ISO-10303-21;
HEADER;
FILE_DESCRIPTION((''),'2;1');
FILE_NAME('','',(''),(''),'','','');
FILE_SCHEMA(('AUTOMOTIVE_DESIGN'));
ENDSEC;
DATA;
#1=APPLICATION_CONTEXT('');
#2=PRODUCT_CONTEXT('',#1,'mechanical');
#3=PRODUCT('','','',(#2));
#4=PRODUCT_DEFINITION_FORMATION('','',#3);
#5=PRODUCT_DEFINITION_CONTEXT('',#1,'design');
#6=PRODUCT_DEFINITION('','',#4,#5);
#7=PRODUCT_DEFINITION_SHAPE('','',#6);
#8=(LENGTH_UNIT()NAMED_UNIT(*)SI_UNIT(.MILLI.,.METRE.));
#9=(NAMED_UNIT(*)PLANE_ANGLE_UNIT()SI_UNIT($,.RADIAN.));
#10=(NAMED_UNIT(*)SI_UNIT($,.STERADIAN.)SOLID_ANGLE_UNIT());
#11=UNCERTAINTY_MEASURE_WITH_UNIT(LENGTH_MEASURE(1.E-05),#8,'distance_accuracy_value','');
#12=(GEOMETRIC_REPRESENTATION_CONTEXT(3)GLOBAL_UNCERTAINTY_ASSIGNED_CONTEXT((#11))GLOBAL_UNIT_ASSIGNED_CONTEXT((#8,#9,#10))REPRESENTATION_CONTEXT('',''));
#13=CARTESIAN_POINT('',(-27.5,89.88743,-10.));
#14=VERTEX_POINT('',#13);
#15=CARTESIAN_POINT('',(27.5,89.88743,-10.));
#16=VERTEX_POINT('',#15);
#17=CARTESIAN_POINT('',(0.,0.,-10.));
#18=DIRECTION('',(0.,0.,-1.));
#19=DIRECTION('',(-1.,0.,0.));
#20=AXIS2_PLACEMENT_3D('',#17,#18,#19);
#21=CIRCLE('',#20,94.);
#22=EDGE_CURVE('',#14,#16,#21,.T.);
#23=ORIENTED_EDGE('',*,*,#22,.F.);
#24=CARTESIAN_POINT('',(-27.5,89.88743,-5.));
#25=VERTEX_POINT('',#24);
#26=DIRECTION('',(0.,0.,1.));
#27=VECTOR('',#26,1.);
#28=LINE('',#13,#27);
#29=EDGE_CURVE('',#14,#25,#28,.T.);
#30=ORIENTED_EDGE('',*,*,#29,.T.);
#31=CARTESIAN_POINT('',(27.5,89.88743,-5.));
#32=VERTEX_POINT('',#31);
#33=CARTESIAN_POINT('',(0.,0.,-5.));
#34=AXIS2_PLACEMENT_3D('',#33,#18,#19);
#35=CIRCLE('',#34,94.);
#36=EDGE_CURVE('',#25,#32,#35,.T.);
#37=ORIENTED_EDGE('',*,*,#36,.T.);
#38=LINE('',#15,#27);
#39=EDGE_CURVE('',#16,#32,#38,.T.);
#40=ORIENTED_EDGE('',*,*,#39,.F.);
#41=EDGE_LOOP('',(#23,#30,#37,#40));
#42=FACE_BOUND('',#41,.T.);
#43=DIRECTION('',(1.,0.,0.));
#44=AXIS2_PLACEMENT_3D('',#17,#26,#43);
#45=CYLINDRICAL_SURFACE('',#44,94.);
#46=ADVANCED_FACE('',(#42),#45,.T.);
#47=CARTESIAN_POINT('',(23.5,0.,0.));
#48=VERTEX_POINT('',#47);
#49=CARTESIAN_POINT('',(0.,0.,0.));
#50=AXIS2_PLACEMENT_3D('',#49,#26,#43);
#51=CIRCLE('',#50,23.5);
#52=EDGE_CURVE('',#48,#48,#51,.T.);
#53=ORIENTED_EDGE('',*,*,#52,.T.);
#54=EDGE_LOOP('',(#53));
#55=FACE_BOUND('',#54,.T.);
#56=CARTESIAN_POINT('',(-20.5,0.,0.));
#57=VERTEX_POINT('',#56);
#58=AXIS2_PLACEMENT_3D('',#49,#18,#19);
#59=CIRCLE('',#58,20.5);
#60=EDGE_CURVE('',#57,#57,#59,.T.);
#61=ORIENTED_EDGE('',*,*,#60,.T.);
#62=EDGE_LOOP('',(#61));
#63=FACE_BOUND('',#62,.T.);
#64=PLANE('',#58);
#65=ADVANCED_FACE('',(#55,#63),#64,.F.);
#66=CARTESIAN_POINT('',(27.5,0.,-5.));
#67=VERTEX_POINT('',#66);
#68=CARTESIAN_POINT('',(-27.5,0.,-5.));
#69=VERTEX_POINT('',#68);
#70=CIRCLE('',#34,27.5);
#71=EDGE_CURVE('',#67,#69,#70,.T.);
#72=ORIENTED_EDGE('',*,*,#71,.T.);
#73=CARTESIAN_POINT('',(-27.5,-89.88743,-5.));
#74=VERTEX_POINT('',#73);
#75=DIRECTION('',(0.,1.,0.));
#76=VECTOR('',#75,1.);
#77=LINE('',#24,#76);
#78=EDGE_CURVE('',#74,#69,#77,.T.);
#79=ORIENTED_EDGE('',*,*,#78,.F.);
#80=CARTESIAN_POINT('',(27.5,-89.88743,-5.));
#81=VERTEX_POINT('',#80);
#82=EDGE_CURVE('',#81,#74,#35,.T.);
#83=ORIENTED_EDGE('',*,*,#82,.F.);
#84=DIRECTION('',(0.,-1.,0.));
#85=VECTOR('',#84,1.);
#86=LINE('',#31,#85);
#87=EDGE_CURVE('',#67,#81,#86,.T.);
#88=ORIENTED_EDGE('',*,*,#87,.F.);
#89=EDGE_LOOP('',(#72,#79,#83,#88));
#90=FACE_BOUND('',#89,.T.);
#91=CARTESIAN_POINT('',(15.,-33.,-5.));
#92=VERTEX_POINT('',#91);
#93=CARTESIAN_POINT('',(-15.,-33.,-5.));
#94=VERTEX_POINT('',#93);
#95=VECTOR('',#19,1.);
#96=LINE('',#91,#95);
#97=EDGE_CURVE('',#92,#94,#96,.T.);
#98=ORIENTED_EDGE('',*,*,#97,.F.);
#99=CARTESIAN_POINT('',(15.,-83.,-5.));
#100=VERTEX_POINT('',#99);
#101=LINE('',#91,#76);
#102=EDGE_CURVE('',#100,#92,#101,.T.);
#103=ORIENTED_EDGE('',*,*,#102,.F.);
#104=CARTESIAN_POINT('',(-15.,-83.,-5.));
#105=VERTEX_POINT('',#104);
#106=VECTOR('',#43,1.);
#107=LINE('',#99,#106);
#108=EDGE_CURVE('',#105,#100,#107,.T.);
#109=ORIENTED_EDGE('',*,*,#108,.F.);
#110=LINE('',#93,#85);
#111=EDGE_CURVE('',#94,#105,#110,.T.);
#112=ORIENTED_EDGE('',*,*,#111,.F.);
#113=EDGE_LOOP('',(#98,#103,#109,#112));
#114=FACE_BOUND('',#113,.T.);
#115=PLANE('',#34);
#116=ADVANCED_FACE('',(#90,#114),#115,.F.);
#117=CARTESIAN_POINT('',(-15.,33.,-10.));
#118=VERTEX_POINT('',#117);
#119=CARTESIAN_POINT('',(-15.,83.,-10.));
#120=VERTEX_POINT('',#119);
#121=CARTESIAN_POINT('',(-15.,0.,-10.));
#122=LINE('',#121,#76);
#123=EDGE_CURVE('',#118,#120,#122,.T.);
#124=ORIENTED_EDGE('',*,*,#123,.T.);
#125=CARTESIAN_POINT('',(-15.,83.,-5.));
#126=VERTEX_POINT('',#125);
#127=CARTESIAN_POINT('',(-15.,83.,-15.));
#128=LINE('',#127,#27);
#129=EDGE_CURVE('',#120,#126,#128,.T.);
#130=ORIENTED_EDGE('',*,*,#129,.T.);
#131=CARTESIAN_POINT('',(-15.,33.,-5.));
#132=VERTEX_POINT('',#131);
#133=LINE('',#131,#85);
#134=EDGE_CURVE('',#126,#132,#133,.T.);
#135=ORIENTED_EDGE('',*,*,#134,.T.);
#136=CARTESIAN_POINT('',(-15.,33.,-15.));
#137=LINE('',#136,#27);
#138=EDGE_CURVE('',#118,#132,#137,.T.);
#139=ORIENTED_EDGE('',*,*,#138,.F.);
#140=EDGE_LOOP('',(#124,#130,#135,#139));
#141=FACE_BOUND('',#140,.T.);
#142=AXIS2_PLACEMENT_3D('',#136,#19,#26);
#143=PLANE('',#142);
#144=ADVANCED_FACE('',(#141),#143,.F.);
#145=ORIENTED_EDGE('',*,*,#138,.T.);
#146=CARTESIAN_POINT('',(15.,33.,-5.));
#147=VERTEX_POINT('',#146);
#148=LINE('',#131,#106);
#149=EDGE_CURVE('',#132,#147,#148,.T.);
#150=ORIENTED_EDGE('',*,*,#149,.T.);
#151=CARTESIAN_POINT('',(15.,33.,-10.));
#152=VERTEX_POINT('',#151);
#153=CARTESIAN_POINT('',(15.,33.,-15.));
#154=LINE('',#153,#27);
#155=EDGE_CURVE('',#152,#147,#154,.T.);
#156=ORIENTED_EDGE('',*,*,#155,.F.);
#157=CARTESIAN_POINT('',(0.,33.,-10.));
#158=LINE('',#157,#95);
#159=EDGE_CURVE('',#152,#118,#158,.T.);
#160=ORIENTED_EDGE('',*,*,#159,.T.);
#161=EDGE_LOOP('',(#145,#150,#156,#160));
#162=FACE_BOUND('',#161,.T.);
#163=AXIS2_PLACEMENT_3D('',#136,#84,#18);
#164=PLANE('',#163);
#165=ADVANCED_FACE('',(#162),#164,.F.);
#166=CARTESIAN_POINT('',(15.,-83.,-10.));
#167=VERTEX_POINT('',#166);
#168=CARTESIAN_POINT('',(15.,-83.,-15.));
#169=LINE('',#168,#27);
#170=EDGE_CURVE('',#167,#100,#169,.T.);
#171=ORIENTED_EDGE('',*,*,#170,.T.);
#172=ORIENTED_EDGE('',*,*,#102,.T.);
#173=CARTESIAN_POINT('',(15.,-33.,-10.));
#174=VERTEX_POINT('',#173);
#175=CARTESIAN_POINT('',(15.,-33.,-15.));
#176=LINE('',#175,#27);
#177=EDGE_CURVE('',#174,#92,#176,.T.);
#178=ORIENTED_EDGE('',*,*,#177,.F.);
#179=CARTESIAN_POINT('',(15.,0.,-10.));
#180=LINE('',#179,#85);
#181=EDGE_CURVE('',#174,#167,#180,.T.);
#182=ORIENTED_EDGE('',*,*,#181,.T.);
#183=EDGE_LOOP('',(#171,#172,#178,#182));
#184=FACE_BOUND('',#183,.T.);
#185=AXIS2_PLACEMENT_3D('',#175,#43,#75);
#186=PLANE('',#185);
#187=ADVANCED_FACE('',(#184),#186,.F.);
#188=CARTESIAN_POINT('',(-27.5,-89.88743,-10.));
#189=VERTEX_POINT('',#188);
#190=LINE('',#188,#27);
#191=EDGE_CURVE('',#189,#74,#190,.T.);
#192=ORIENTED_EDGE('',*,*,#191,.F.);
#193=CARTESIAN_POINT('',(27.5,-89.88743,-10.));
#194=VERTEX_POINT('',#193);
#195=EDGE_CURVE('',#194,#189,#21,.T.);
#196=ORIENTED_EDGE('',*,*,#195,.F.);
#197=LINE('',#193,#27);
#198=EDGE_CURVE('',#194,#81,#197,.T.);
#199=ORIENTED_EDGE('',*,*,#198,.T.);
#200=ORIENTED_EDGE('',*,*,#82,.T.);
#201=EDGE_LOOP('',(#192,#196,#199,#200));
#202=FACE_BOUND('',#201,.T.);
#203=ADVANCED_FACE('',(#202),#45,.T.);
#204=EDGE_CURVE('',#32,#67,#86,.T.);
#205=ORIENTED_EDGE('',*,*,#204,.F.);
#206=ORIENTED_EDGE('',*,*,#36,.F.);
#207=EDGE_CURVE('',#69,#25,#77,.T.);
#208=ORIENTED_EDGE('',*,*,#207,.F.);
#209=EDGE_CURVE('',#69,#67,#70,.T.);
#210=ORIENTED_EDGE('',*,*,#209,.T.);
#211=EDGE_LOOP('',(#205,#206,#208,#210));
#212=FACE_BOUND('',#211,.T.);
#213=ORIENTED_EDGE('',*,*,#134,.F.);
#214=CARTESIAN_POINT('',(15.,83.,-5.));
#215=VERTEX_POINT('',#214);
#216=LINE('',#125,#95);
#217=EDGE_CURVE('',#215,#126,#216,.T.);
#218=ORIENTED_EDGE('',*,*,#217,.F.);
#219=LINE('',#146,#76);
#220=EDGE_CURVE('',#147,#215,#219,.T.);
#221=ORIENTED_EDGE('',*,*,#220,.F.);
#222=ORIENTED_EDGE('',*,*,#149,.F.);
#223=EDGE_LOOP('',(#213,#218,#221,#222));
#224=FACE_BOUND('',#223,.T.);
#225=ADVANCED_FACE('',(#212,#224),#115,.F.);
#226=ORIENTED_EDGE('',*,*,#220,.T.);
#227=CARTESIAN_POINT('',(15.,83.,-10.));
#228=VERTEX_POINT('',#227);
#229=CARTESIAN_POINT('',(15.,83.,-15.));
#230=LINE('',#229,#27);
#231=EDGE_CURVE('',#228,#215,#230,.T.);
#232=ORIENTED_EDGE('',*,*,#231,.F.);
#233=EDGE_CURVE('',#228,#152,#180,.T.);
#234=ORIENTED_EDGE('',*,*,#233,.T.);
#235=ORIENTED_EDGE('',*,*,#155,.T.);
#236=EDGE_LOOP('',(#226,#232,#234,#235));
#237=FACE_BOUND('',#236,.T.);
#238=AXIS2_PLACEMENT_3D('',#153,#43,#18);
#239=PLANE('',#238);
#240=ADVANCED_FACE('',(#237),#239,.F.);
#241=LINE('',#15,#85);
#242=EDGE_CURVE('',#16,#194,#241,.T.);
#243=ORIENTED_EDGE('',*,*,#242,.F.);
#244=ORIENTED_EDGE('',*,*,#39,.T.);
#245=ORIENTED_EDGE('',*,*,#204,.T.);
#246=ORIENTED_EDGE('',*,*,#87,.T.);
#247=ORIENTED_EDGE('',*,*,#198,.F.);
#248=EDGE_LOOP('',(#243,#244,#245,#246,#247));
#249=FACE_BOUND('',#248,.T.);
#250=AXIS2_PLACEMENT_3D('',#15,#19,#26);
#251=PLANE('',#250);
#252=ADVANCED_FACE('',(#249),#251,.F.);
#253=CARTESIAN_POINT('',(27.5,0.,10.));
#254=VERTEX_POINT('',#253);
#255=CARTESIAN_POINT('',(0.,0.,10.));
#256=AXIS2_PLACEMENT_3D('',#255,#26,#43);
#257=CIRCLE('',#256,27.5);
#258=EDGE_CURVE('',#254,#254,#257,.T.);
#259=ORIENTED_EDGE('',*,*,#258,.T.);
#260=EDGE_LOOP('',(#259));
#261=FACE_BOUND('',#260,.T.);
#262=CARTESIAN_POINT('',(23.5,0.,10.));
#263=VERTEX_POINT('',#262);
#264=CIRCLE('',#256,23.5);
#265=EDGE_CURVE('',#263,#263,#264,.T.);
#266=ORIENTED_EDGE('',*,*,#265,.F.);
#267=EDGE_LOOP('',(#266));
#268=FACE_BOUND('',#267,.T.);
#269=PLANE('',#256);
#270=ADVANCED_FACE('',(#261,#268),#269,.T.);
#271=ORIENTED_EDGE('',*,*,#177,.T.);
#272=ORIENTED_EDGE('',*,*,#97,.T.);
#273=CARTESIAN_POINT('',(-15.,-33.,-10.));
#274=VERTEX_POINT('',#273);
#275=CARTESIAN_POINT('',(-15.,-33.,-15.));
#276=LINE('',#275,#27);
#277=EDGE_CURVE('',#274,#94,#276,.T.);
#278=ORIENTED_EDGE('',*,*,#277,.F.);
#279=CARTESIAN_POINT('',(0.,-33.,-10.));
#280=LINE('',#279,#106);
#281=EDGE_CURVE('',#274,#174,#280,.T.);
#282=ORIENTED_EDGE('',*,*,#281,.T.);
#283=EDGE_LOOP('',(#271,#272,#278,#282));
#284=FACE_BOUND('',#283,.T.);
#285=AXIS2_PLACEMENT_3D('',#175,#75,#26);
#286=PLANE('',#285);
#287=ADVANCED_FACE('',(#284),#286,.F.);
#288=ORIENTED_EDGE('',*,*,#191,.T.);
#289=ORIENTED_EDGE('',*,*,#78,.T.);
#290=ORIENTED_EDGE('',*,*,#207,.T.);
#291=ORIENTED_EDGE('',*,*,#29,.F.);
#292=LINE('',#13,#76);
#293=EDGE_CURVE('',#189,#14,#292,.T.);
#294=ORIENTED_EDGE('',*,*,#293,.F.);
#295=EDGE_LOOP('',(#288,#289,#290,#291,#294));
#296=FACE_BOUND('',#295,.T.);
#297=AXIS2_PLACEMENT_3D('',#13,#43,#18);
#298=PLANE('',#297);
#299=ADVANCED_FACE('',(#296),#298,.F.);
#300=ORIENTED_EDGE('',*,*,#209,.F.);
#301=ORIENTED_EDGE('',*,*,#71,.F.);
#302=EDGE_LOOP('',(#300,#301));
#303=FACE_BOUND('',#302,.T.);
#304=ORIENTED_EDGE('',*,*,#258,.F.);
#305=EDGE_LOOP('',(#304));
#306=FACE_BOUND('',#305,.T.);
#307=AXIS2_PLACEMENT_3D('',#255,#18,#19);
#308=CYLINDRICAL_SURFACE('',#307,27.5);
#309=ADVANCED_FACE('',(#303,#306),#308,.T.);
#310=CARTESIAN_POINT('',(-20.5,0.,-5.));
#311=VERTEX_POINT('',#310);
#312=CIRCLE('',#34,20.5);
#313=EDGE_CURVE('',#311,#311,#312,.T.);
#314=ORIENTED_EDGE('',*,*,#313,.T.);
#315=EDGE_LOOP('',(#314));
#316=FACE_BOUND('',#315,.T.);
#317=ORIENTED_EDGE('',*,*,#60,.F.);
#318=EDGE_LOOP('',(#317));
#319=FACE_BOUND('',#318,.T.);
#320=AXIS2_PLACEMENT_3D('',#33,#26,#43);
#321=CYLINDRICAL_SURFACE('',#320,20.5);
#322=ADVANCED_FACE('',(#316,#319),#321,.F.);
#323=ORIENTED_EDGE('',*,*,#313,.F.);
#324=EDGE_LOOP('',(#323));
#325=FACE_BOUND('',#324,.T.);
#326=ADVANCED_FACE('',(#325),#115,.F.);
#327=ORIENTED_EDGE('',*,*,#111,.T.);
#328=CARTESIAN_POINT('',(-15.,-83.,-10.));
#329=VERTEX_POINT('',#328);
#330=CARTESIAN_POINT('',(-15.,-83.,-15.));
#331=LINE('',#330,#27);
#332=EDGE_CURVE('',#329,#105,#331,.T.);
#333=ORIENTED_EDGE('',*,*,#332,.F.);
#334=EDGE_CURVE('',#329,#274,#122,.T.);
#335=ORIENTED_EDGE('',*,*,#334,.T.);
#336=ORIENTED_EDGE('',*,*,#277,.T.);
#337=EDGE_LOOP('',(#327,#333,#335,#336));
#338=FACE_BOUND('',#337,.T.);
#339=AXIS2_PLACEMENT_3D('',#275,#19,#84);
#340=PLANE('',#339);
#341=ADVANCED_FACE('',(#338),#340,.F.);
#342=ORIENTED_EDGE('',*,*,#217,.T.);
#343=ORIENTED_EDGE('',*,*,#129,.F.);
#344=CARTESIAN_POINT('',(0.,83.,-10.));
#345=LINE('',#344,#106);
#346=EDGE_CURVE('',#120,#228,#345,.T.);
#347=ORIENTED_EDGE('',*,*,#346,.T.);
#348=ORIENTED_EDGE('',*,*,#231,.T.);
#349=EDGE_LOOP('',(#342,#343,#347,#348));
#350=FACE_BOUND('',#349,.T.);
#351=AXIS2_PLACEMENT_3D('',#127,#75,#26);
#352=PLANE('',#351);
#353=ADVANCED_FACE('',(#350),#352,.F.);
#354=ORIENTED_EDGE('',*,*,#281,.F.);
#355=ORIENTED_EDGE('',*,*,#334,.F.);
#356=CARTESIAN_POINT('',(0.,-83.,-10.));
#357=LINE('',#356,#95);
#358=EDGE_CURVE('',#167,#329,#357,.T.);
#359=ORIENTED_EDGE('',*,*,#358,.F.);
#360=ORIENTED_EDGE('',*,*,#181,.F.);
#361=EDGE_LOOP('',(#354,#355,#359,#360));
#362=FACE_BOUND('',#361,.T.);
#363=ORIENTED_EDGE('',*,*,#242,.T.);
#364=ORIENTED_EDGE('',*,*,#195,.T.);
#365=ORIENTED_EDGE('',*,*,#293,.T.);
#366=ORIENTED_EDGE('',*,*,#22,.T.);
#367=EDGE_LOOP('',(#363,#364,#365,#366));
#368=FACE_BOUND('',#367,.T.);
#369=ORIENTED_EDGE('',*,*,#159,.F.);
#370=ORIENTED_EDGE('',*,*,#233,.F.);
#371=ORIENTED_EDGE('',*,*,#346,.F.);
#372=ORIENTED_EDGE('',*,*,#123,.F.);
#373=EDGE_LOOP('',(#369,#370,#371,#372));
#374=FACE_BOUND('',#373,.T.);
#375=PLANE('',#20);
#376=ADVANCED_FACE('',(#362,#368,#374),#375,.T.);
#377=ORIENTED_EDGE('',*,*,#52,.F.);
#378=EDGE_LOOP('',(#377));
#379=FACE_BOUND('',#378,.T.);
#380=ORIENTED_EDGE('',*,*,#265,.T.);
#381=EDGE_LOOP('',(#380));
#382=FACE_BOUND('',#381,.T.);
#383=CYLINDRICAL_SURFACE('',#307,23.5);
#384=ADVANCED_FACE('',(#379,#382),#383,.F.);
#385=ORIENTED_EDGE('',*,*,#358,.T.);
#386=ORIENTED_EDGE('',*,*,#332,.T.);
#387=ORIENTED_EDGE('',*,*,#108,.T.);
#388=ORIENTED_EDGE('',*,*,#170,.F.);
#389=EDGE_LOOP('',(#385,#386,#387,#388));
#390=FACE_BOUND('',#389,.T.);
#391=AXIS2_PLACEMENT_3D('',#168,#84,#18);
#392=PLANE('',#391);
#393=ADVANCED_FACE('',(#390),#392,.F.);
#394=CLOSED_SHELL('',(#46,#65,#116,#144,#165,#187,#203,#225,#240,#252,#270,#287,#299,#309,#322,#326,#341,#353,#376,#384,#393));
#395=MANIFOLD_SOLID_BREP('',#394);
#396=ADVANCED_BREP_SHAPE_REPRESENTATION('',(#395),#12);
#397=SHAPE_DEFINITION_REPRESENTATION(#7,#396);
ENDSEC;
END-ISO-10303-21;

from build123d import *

# Parameters (mm, degrees)
SKETCH1_R           = 27.5
SKETCH1_R_2         = 23.5
BOSS_EXTRUDE1_DEPTH = 10
SKETCH2_R           = 27.5
SKETCH2_R_2         = 20.5
BOSS_EXTRUDE2_DEPTH = 5
BOSS_EXTRUDE3_DEPTH = 5
SKETCH4_W           = 30
SKETCH4_H           = 50
CUT_EXTRUDE1_DEPTH  = 10


with BuildPart() as part:
    # Sketch1 → Boss-Extrude1 (new body)
    with BuildSketch(Plane.XY):
        Circle(SKETCH1_R)
        Circle(SKETCH1_R_2, mode=Mode.SUBTRACT)
    extrude(amount=BOSS_EXTRUDE1_DEPTH)

    # Sketch2 → Boss-Extrude2 (add)
    with BuildSketch(Plane(origin=(0, 0, 0), x_dir=(-1, 0, 0), z_dir=(0, 0, -1))):
        Circle(SKETCH2_R)
        Circle(SKETCH2_R_2, mode=Mode.SUBTRACT)
    extrude(amount=BOSS_EXTRUDE2_DEPTH)

    # Sketch3 → Boss-Extrude3 (add)
    with BuildSketch(Plane(origin=(0, 0, -5), x_dir=(-1, 0, 0), z_dir=(0, 0, -1))):
        with BuildLine():
            Line((-27.5, 89.887429599), (-27.5, -89.887429599))
            ThreePointArc((-27.5, -89.887429599), (0, -94), (27.5, -89.887429599))
            Line((27.5, -89.887429599), (27.5, 89.887429599))
            ThreePointArc((27.5, 89.887429599), (0, 94), (-27.5, 89.887429599))
        make_face()
    extrude(amount=BOSS_EXTRUDE3_DEPTH)

    # Sketch4 → Cut-Extrude1 (cut)
    with BuildSketch(Plane.XY.offset(-5)):
        with Locations((0, -58)):
            Rectangle(SKETCH4_W, SKETCH4_H)
        with Locations((0, 58)):
            Rectangle(SKETCH4_W, SKETCH4_H)
    extrude(amount=-CUT_EXTRUDE1_DEPTH, mode=Mode.SUBTRACT)


solid = part.part
